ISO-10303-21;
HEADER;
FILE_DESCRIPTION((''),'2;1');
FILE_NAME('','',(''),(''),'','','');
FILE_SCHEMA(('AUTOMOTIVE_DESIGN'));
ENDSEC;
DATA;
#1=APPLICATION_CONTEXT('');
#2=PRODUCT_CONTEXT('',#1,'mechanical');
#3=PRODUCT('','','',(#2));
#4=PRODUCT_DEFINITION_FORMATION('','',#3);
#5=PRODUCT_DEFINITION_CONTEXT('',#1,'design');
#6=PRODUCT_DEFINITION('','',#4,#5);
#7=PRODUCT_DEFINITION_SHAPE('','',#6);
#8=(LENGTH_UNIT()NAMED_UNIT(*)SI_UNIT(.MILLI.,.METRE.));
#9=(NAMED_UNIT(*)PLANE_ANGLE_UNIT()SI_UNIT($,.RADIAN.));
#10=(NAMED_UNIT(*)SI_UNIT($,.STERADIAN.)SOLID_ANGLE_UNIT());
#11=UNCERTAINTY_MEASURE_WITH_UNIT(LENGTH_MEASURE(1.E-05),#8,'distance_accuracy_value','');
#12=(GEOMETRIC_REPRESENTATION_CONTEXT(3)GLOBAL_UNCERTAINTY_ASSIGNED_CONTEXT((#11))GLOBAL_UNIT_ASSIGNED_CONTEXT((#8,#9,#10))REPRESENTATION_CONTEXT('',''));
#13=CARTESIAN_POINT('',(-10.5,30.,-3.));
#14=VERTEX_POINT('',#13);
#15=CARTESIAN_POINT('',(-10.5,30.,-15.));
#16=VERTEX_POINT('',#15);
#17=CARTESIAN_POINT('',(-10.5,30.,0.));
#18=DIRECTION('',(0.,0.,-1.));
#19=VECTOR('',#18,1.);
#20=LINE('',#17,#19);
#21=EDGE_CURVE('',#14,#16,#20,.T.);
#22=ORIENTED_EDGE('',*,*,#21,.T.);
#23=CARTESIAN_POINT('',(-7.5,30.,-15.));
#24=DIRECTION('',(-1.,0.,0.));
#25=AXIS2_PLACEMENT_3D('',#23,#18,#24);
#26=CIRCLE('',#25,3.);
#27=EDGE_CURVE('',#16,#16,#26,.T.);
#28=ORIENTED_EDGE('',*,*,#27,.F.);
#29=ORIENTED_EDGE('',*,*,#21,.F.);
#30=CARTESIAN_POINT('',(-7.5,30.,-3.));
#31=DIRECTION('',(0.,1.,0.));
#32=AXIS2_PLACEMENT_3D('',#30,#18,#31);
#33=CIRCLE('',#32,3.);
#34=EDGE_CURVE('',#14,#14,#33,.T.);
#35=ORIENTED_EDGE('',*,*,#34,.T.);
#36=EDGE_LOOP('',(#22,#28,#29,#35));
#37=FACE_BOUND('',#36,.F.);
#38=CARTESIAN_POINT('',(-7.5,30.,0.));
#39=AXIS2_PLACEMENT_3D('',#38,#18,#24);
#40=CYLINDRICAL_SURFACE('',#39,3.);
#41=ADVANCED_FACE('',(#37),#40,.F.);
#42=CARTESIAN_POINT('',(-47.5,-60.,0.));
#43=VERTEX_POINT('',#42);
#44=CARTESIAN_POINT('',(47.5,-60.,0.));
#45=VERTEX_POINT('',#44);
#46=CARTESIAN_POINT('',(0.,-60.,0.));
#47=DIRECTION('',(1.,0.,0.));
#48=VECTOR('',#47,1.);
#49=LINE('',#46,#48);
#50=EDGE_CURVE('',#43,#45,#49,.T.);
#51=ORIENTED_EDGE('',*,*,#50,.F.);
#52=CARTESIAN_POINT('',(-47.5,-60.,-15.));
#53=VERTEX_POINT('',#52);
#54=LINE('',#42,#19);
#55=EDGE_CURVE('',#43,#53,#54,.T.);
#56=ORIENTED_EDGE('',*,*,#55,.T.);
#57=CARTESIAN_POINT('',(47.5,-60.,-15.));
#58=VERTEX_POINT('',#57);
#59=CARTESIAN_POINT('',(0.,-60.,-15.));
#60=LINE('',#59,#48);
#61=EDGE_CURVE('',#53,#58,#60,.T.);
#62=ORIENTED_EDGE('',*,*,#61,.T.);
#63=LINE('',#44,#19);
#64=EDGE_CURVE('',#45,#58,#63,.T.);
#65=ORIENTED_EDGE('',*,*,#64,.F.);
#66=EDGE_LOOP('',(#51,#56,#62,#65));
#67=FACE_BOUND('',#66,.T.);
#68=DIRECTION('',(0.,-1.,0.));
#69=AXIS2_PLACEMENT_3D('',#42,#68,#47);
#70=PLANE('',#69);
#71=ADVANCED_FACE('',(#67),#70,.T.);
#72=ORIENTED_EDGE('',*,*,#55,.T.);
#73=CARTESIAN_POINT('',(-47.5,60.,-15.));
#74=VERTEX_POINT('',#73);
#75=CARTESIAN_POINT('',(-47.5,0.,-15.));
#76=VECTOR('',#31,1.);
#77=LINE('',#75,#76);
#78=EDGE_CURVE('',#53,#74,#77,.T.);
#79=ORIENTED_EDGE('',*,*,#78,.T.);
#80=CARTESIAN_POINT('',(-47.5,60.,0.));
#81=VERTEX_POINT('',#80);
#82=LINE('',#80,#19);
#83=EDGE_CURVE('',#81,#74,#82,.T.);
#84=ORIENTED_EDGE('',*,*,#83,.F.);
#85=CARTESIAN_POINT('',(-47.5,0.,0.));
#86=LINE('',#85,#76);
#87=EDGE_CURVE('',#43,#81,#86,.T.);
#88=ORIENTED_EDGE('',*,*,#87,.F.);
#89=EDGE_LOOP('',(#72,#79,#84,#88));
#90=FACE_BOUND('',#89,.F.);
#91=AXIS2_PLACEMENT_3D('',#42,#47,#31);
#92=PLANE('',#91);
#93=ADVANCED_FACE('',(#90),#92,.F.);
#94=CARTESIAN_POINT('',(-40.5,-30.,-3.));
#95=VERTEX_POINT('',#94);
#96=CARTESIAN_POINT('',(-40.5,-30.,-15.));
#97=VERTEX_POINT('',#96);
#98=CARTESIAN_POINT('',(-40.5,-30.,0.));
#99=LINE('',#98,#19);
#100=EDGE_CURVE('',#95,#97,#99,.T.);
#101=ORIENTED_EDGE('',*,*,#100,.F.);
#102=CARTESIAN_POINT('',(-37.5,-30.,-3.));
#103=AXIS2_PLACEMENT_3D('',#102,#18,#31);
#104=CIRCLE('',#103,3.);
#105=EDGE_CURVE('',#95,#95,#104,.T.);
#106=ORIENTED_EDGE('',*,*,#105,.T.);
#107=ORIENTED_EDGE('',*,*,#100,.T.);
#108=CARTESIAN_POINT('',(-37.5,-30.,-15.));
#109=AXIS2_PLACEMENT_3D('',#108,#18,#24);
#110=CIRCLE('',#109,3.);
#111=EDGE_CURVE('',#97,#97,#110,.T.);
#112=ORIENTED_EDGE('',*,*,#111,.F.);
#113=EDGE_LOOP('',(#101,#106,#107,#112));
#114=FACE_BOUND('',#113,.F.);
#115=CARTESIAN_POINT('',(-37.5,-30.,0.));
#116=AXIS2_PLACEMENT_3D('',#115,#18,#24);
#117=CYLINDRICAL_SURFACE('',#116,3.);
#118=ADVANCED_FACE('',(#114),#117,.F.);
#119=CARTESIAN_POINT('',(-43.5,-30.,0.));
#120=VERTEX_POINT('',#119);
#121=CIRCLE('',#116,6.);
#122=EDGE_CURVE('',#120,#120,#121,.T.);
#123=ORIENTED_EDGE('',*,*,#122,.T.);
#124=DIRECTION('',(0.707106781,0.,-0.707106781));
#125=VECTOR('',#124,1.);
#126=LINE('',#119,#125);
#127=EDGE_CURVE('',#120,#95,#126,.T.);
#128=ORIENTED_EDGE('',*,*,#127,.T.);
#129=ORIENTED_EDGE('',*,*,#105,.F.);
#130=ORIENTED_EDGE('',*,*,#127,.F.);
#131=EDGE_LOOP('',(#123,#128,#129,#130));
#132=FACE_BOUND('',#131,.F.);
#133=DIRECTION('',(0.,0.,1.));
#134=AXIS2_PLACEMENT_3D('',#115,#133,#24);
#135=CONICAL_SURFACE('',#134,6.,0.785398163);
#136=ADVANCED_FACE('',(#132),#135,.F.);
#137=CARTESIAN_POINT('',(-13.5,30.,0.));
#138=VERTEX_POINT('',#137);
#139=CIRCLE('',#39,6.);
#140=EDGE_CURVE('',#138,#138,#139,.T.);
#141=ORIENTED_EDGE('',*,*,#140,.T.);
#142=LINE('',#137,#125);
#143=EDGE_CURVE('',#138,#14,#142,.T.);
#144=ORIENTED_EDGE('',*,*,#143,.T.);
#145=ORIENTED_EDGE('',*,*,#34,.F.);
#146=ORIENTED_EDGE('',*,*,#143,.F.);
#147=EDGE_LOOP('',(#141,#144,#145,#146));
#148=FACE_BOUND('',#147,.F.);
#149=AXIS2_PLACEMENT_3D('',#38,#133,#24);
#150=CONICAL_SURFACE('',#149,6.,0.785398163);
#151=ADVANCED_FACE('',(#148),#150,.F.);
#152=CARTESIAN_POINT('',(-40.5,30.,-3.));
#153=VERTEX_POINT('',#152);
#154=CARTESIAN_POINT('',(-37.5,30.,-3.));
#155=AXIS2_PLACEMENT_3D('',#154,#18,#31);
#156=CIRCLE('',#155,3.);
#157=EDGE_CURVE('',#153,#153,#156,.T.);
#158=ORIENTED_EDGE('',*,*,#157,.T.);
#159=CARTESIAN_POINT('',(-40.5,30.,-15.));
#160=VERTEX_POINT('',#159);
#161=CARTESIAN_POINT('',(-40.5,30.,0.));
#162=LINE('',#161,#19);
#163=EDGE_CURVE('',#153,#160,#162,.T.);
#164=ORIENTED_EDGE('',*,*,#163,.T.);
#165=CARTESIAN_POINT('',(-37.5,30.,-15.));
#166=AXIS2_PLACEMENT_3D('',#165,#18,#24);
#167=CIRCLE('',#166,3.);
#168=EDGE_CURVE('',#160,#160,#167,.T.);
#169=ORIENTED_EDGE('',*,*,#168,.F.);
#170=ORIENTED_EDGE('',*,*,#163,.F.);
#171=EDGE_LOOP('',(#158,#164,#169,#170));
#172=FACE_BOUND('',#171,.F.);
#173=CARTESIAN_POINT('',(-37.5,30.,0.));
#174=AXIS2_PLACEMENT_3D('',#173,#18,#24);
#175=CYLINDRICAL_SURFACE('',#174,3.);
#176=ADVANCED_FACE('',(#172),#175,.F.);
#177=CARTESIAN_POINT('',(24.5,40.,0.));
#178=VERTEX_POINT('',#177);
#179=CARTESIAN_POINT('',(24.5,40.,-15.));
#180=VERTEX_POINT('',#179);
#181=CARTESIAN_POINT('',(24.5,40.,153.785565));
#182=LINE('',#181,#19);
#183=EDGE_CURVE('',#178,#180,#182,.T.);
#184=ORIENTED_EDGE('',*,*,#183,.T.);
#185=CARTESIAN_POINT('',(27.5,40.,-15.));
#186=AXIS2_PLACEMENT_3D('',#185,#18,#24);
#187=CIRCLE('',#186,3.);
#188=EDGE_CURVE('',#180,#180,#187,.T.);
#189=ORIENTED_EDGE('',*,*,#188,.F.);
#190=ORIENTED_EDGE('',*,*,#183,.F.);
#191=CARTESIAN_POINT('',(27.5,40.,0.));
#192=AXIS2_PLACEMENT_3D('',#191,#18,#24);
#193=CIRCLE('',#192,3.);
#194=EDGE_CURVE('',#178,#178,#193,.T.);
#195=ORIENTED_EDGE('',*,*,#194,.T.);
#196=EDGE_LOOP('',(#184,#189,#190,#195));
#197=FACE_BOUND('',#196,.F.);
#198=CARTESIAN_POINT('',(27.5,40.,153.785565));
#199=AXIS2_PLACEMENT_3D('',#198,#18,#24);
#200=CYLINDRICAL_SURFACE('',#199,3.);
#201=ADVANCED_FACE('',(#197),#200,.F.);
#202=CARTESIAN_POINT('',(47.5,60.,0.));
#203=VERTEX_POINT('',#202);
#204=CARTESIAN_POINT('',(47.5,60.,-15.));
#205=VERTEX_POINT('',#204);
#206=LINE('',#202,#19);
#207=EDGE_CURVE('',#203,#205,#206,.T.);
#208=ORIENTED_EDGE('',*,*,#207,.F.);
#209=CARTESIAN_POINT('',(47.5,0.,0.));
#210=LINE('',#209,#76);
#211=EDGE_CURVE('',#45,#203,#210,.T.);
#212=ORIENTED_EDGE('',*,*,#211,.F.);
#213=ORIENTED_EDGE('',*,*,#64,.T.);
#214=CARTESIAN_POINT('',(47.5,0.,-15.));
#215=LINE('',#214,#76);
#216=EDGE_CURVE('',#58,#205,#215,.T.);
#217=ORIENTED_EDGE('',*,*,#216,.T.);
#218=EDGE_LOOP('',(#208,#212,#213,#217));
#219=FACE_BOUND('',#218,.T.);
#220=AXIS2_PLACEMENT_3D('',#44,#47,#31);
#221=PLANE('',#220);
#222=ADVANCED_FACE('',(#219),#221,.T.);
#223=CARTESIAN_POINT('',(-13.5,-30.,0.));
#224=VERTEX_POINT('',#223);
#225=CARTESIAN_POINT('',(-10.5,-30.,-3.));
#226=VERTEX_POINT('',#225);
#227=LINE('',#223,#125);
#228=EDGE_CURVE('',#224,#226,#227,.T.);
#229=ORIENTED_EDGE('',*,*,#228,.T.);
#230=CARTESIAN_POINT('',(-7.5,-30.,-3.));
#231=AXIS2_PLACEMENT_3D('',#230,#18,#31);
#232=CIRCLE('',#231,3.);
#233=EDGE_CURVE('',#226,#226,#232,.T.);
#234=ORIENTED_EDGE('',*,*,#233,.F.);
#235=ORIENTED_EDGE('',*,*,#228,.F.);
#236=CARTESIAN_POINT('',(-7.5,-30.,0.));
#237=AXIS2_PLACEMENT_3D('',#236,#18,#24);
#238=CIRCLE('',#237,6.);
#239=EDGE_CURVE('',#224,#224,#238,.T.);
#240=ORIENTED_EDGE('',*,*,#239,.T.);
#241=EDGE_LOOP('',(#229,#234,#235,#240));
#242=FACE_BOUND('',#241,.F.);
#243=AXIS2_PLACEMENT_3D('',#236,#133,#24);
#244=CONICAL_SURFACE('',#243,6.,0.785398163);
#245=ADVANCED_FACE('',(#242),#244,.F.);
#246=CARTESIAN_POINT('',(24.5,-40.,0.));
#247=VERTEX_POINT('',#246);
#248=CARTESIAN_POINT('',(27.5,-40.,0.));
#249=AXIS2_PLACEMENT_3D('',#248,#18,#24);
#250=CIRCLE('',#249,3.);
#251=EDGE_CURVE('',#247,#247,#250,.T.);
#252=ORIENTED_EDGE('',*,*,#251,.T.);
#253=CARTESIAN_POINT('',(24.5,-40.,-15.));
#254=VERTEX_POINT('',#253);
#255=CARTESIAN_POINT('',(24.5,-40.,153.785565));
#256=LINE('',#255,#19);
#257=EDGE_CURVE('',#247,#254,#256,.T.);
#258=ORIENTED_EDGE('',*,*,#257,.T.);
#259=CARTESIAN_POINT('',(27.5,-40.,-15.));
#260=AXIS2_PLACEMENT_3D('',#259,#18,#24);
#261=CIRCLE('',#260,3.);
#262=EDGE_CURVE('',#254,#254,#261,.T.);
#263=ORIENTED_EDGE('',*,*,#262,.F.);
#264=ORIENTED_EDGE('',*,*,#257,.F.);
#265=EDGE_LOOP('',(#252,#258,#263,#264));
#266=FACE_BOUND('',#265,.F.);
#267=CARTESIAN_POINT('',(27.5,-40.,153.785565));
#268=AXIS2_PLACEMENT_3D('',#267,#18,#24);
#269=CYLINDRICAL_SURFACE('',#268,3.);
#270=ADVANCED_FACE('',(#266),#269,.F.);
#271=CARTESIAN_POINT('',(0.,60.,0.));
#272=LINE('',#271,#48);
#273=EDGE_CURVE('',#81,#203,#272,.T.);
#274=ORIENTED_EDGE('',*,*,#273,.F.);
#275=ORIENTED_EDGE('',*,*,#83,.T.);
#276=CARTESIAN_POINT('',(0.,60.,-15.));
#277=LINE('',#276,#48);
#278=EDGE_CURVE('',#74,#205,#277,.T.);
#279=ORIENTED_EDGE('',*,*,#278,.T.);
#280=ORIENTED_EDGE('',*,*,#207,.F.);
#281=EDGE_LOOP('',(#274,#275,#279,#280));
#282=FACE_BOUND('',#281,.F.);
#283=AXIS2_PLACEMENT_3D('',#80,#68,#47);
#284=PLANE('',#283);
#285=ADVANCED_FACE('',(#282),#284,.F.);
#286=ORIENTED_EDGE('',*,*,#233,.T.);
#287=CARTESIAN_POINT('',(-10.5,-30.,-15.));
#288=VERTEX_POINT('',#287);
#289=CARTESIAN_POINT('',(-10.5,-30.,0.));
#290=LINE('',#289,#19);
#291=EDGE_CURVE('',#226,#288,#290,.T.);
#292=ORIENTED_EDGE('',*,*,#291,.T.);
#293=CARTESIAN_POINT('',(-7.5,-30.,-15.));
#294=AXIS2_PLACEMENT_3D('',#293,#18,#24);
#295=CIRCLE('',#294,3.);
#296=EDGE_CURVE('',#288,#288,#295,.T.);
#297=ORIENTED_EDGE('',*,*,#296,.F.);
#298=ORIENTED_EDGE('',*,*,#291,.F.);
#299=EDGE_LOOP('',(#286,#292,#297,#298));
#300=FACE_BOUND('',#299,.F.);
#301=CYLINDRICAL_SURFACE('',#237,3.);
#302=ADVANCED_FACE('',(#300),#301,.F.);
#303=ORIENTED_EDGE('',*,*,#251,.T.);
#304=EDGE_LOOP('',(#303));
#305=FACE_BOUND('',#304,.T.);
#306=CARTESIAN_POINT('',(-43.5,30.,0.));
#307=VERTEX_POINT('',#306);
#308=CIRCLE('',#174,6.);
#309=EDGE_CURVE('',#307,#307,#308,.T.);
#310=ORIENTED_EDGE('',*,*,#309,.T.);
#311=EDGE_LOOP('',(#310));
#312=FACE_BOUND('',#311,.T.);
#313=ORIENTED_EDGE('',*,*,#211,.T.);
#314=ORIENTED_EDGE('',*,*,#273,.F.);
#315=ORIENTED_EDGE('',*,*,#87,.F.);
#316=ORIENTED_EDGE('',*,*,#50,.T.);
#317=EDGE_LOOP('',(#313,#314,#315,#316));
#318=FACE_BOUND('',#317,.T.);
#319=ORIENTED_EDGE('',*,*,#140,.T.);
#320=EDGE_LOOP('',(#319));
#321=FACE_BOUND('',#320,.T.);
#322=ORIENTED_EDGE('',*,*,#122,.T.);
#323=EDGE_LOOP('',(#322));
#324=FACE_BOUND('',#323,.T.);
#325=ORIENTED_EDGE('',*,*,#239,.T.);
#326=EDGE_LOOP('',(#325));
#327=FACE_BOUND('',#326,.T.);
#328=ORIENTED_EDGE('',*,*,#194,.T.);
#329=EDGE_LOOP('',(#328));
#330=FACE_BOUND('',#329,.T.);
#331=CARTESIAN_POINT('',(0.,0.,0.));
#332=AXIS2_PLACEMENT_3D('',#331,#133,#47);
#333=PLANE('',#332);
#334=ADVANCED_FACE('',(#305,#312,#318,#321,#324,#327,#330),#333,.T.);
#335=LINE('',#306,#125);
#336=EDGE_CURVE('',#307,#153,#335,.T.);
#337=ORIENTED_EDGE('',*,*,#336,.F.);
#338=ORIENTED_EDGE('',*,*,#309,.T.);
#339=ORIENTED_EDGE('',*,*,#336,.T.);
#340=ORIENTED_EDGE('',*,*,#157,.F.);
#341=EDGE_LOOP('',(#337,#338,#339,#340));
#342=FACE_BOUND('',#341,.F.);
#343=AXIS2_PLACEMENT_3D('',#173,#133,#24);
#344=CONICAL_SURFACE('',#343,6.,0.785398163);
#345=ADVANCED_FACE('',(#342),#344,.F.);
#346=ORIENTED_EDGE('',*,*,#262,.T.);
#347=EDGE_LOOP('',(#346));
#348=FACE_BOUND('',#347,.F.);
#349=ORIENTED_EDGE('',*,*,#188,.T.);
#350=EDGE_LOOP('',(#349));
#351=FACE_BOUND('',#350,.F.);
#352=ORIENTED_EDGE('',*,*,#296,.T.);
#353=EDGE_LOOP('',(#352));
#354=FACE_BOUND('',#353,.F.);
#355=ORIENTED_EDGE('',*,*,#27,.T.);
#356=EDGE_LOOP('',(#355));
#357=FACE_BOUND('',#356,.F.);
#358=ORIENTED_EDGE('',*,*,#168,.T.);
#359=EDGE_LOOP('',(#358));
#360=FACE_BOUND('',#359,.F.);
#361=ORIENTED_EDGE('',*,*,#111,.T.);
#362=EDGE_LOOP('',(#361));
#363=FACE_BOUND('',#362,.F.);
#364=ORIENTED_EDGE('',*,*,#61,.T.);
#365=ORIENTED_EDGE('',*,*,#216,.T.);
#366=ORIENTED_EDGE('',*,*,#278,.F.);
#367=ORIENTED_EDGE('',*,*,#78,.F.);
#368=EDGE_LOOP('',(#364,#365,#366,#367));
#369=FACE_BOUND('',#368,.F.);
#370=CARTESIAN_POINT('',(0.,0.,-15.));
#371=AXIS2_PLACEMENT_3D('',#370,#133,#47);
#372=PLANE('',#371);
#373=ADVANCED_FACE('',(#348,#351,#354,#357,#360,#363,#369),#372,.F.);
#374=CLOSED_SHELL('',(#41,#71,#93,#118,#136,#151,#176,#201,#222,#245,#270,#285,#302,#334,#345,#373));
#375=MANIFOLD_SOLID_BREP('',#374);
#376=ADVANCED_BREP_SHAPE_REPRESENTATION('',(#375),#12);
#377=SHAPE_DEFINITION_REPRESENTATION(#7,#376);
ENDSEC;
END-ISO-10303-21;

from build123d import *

# Parameters (mm, degrees)
F0_W           = 95
F0_H           = 120
F0_R           = 3
F1_DEPTH       = 15
F2_D           = 6
F2_CSINK_D     = 12
F2_CSINK_ANGLE = 90
F3_D           = 6


with BuildPart() as f1:
    # F0 (on Top) → F1 (new body)
    with BuildSketch(Plane.XY):
        Rectangle(F0_W, F0_H)
        with Locations((-37.5, -30)):
            Circle(F0_R, mode=Mode.SUBTRACT)
        with Locations((-7.5, -30)):
            Circle(F0_R, mode=Mode.SUBTRACT)
        with Locations((27.5, -40)):
            Circle(F0_R, mode=Mode.SUBTRACT)
        with Locations((-37.5, 30)):
            Circle(F0_R, mode=Mode.SUBTRACT)
        with Locations((-7.5, 30)):
            Circle(F0_R, mode=Mode.SUBTRACT)
        with Locations((27.5, 40)):
            Circle(F0_R, mode=Mode.SUBTRACT)
        with Locations((-37.5, 30)):
            Circle(F0_R)
        with Locations((-37.5, -30)):
            Circle(F0_R)
        with Locations((-7.5, -30)):
            Circle(F0_R)
        with Locations((27.5, -40)):
            Circle(F0_R)
        with Locations((-7.5, 30)):
            Circle(F0_R)
        with Locations((27.5, 40)):
            Circle(F0_R)
    extrude(amount=-F1_DEPTH)

    # F2 (through all)
    with Locations(Plane.XY):
        with Locations((-37.5, 30), (-7.5, 30), (-37.5, -30), (-7.5, -30)):
            CounterSinkHole(F2_D / 2, F2_CSINK_D / 2, counter_sink_angle=F2_CSINK_ANGLE)

    # F3 (through all)
    with Locations(Plane.XY):
        with Locations((27.5, 40), (27.5, -40)):
            Hole(F3_D / 2)


solid = f1.part
